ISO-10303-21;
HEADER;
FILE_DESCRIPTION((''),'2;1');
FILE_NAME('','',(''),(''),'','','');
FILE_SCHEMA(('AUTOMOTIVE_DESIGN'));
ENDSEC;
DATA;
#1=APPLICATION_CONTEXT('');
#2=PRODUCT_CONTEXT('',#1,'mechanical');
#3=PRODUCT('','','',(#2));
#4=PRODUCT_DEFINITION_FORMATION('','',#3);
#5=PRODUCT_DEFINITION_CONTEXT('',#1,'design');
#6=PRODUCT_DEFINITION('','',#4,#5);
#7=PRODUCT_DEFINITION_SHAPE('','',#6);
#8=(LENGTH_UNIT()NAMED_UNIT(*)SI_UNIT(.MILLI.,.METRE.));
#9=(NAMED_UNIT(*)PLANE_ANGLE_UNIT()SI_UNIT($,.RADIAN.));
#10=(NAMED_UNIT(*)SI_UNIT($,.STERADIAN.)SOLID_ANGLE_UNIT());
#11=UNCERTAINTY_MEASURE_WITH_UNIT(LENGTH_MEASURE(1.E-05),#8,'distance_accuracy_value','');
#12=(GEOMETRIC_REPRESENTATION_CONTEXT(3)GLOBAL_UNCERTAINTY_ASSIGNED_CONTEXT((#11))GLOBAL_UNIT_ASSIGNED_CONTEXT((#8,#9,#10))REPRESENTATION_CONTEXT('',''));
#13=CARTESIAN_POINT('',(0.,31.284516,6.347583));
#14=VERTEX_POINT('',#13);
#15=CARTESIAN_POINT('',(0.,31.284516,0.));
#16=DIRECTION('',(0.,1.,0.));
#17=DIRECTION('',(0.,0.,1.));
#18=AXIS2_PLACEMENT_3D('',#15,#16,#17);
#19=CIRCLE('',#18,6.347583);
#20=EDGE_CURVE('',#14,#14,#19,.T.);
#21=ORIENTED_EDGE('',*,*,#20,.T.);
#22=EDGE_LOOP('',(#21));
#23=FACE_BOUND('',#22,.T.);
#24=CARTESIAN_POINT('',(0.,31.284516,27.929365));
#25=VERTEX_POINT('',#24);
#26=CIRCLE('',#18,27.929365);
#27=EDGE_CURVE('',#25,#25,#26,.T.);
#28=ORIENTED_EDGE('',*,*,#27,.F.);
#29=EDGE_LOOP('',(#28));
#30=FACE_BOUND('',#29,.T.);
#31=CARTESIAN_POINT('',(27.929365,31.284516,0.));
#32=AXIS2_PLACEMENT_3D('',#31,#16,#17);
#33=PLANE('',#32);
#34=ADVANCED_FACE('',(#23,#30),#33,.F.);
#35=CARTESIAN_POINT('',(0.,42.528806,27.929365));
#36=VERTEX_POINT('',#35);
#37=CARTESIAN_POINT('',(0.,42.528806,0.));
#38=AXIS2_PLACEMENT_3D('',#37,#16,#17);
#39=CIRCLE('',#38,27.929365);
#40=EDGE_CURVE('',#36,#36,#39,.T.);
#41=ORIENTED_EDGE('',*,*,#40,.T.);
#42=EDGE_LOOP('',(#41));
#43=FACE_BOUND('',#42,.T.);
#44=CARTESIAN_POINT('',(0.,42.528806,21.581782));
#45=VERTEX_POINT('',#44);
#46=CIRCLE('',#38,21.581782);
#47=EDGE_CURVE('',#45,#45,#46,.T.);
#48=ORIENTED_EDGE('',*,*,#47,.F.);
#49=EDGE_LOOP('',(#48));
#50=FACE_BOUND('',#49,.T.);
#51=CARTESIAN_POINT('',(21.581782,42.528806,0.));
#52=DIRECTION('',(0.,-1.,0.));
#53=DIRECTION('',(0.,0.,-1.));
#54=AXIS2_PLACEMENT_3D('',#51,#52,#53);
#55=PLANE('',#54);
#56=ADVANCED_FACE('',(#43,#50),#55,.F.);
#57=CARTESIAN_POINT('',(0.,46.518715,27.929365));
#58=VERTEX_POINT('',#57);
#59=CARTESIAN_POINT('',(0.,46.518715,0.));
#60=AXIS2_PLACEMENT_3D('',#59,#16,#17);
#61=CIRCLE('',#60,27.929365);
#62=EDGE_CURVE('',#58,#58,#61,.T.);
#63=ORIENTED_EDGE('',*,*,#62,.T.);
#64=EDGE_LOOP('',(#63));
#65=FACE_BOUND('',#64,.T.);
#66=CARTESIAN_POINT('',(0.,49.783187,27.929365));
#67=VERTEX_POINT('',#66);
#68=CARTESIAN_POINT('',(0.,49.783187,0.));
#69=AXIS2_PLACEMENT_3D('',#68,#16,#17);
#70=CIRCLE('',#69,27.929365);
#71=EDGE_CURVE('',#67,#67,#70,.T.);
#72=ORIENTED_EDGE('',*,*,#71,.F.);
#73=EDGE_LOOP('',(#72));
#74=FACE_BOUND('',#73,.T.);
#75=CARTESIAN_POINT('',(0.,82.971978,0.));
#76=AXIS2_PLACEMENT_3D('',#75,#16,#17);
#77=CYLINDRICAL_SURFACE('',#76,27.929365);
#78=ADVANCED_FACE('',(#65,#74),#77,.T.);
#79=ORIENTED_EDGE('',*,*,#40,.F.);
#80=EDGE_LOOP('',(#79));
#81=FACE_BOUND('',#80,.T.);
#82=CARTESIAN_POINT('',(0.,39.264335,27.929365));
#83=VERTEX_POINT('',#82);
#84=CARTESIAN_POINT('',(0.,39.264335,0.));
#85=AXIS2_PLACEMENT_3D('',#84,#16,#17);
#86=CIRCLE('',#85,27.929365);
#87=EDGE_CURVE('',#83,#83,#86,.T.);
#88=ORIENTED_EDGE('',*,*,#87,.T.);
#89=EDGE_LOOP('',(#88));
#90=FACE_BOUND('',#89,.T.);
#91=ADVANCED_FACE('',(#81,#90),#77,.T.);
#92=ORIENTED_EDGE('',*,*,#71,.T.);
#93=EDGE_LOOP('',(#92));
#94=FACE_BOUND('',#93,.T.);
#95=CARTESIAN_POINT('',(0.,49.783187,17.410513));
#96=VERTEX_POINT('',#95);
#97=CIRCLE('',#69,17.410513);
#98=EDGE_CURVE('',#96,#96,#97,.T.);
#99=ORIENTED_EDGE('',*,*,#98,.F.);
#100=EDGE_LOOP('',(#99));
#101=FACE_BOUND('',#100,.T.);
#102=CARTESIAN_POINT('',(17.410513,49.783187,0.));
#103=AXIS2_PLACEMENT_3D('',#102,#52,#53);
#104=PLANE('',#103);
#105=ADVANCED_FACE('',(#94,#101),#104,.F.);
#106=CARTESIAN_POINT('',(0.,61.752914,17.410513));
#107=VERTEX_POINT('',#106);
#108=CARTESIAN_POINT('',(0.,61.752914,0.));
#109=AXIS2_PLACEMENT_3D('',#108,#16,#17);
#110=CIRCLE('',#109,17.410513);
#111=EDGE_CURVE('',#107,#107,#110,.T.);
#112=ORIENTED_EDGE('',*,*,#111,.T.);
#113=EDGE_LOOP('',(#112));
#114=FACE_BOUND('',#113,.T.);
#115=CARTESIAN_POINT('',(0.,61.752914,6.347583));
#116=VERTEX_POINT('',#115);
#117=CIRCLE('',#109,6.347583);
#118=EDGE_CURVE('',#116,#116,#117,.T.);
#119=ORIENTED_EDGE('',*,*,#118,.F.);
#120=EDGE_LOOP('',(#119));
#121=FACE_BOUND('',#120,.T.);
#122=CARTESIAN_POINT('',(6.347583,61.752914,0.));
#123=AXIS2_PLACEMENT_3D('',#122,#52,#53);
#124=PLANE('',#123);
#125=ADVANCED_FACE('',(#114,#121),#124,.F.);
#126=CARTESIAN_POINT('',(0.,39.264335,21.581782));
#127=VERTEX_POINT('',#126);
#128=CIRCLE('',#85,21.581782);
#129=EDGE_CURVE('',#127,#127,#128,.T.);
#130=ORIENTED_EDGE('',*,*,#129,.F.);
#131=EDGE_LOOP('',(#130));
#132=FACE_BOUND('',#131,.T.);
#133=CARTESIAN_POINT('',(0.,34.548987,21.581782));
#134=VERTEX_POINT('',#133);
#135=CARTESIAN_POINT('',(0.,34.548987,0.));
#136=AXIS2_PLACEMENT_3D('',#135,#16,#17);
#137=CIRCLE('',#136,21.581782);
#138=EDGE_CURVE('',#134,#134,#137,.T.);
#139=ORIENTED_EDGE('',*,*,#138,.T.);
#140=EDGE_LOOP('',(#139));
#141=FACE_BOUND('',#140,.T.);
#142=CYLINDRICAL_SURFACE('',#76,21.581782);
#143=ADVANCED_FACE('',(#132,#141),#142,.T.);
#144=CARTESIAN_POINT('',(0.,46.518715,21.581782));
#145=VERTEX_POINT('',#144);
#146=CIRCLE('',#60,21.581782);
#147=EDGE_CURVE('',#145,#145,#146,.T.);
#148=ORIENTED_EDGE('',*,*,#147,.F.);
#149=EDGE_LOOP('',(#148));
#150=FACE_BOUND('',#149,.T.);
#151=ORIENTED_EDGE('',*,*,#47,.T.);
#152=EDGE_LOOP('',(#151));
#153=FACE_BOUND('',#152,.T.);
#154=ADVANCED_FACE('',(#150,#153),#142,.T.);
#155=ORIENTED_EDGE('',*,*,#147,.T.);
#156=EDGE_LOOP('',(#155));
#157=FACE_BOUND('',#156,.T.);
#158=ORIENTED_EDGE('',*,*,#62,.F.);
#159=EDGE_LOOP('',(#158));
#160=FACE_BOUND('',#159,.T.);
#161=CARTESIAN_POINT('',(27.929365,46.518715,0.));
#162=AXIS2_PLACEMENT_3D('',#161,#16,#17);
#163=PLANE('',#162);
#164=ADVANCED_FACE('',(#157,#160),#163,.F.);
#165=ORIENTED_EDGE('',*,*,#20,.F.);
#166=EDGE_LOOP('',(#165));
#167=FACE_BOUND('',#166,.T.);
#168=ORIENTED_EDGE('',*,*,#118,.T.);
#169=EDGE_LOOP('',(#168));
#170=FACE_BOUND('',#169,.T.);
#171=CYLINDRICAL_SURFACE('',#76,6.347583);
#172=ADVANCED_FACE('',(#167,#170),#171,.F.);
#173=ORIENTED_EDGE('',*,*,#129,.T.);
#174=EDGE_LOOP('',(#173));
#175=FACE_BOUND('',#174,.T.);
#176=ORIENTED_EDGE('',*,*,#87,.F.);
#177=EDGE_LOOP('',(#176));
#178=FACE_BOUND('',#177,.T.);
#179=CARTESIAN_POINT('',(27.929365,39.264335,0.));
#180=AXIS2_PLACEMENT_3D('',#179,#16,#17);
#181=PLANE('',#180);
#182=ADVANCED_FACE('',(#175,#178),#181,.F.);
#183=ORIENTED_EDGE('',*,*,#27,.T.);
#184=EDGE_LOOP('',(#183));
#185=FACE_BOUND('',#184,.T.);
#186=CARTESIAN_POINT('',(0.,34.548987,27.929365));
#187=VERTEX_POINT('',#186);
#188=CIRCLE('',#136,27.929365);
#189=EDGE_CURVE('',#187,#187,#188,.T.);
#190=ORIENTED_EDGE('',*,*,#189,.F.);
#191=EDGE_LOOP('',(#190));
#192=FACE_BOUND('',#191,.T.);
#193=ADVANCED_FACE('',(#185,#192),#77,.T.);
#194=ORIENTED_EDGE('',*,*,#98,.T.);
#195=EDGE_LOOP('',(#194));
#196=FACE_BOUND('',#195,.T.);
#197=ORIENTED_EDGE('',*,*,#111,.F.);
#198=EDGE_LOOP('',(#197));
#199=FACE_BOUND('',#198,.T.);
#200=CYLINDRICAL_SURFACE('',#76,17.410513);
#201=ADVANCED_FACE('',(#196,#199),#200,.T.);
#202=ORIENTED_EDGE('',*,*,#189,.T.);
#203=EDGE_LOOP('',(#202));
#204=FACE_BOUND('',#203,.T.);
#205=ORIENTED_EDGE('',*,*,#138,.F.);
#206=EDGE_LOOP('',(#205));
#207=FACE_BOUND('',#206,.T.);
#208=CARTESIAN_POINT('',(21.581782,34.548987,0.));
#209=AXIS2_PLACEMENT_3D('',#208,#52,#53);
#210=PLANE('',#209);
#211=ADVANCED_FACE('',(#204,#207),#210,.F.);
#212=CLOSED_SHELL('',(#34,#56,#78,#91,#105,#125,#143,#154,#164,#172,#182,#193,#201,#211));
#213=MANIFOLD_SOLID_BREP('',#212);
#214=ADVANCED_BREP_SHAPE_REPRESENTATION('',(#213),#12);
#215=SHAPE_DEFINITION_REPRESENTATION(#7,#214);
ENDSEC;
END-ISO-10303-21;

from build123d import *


with BuildPart() as part:
    # 草图1 → 旋转1 (revolve)
    with BuildSketch(Plane.XY, mode=Mode.PRIVATE) as revolve_1_sk:
        Polygon((6.347582984, 61.752914463), (17.410513329, 61.752914463), (17.410513329, 49.783186549), (27.929365131, 49.783186549), (27.929365131, 46.5187153), (21.581782147, 46.5187153), (21.581782147, 42.528805996), (27.929365131, 42.528805996), (27.929365131, 39.264334746), (21.581782147, 39.264334746), (21.581782147, 34.548987387), (27.929365131, 34.548987387), (27.929365131, 31.284516138), (6.347582984, 31.284516138), align=None)
    revolve(revolve_1_sk.sketch.rotate(Axis((0, 82.971977582, 0), (0, -1, 0)), 90), axis=Axis((0, 82.971977582, 0), (0, -1, 0)))


solid = part.part
